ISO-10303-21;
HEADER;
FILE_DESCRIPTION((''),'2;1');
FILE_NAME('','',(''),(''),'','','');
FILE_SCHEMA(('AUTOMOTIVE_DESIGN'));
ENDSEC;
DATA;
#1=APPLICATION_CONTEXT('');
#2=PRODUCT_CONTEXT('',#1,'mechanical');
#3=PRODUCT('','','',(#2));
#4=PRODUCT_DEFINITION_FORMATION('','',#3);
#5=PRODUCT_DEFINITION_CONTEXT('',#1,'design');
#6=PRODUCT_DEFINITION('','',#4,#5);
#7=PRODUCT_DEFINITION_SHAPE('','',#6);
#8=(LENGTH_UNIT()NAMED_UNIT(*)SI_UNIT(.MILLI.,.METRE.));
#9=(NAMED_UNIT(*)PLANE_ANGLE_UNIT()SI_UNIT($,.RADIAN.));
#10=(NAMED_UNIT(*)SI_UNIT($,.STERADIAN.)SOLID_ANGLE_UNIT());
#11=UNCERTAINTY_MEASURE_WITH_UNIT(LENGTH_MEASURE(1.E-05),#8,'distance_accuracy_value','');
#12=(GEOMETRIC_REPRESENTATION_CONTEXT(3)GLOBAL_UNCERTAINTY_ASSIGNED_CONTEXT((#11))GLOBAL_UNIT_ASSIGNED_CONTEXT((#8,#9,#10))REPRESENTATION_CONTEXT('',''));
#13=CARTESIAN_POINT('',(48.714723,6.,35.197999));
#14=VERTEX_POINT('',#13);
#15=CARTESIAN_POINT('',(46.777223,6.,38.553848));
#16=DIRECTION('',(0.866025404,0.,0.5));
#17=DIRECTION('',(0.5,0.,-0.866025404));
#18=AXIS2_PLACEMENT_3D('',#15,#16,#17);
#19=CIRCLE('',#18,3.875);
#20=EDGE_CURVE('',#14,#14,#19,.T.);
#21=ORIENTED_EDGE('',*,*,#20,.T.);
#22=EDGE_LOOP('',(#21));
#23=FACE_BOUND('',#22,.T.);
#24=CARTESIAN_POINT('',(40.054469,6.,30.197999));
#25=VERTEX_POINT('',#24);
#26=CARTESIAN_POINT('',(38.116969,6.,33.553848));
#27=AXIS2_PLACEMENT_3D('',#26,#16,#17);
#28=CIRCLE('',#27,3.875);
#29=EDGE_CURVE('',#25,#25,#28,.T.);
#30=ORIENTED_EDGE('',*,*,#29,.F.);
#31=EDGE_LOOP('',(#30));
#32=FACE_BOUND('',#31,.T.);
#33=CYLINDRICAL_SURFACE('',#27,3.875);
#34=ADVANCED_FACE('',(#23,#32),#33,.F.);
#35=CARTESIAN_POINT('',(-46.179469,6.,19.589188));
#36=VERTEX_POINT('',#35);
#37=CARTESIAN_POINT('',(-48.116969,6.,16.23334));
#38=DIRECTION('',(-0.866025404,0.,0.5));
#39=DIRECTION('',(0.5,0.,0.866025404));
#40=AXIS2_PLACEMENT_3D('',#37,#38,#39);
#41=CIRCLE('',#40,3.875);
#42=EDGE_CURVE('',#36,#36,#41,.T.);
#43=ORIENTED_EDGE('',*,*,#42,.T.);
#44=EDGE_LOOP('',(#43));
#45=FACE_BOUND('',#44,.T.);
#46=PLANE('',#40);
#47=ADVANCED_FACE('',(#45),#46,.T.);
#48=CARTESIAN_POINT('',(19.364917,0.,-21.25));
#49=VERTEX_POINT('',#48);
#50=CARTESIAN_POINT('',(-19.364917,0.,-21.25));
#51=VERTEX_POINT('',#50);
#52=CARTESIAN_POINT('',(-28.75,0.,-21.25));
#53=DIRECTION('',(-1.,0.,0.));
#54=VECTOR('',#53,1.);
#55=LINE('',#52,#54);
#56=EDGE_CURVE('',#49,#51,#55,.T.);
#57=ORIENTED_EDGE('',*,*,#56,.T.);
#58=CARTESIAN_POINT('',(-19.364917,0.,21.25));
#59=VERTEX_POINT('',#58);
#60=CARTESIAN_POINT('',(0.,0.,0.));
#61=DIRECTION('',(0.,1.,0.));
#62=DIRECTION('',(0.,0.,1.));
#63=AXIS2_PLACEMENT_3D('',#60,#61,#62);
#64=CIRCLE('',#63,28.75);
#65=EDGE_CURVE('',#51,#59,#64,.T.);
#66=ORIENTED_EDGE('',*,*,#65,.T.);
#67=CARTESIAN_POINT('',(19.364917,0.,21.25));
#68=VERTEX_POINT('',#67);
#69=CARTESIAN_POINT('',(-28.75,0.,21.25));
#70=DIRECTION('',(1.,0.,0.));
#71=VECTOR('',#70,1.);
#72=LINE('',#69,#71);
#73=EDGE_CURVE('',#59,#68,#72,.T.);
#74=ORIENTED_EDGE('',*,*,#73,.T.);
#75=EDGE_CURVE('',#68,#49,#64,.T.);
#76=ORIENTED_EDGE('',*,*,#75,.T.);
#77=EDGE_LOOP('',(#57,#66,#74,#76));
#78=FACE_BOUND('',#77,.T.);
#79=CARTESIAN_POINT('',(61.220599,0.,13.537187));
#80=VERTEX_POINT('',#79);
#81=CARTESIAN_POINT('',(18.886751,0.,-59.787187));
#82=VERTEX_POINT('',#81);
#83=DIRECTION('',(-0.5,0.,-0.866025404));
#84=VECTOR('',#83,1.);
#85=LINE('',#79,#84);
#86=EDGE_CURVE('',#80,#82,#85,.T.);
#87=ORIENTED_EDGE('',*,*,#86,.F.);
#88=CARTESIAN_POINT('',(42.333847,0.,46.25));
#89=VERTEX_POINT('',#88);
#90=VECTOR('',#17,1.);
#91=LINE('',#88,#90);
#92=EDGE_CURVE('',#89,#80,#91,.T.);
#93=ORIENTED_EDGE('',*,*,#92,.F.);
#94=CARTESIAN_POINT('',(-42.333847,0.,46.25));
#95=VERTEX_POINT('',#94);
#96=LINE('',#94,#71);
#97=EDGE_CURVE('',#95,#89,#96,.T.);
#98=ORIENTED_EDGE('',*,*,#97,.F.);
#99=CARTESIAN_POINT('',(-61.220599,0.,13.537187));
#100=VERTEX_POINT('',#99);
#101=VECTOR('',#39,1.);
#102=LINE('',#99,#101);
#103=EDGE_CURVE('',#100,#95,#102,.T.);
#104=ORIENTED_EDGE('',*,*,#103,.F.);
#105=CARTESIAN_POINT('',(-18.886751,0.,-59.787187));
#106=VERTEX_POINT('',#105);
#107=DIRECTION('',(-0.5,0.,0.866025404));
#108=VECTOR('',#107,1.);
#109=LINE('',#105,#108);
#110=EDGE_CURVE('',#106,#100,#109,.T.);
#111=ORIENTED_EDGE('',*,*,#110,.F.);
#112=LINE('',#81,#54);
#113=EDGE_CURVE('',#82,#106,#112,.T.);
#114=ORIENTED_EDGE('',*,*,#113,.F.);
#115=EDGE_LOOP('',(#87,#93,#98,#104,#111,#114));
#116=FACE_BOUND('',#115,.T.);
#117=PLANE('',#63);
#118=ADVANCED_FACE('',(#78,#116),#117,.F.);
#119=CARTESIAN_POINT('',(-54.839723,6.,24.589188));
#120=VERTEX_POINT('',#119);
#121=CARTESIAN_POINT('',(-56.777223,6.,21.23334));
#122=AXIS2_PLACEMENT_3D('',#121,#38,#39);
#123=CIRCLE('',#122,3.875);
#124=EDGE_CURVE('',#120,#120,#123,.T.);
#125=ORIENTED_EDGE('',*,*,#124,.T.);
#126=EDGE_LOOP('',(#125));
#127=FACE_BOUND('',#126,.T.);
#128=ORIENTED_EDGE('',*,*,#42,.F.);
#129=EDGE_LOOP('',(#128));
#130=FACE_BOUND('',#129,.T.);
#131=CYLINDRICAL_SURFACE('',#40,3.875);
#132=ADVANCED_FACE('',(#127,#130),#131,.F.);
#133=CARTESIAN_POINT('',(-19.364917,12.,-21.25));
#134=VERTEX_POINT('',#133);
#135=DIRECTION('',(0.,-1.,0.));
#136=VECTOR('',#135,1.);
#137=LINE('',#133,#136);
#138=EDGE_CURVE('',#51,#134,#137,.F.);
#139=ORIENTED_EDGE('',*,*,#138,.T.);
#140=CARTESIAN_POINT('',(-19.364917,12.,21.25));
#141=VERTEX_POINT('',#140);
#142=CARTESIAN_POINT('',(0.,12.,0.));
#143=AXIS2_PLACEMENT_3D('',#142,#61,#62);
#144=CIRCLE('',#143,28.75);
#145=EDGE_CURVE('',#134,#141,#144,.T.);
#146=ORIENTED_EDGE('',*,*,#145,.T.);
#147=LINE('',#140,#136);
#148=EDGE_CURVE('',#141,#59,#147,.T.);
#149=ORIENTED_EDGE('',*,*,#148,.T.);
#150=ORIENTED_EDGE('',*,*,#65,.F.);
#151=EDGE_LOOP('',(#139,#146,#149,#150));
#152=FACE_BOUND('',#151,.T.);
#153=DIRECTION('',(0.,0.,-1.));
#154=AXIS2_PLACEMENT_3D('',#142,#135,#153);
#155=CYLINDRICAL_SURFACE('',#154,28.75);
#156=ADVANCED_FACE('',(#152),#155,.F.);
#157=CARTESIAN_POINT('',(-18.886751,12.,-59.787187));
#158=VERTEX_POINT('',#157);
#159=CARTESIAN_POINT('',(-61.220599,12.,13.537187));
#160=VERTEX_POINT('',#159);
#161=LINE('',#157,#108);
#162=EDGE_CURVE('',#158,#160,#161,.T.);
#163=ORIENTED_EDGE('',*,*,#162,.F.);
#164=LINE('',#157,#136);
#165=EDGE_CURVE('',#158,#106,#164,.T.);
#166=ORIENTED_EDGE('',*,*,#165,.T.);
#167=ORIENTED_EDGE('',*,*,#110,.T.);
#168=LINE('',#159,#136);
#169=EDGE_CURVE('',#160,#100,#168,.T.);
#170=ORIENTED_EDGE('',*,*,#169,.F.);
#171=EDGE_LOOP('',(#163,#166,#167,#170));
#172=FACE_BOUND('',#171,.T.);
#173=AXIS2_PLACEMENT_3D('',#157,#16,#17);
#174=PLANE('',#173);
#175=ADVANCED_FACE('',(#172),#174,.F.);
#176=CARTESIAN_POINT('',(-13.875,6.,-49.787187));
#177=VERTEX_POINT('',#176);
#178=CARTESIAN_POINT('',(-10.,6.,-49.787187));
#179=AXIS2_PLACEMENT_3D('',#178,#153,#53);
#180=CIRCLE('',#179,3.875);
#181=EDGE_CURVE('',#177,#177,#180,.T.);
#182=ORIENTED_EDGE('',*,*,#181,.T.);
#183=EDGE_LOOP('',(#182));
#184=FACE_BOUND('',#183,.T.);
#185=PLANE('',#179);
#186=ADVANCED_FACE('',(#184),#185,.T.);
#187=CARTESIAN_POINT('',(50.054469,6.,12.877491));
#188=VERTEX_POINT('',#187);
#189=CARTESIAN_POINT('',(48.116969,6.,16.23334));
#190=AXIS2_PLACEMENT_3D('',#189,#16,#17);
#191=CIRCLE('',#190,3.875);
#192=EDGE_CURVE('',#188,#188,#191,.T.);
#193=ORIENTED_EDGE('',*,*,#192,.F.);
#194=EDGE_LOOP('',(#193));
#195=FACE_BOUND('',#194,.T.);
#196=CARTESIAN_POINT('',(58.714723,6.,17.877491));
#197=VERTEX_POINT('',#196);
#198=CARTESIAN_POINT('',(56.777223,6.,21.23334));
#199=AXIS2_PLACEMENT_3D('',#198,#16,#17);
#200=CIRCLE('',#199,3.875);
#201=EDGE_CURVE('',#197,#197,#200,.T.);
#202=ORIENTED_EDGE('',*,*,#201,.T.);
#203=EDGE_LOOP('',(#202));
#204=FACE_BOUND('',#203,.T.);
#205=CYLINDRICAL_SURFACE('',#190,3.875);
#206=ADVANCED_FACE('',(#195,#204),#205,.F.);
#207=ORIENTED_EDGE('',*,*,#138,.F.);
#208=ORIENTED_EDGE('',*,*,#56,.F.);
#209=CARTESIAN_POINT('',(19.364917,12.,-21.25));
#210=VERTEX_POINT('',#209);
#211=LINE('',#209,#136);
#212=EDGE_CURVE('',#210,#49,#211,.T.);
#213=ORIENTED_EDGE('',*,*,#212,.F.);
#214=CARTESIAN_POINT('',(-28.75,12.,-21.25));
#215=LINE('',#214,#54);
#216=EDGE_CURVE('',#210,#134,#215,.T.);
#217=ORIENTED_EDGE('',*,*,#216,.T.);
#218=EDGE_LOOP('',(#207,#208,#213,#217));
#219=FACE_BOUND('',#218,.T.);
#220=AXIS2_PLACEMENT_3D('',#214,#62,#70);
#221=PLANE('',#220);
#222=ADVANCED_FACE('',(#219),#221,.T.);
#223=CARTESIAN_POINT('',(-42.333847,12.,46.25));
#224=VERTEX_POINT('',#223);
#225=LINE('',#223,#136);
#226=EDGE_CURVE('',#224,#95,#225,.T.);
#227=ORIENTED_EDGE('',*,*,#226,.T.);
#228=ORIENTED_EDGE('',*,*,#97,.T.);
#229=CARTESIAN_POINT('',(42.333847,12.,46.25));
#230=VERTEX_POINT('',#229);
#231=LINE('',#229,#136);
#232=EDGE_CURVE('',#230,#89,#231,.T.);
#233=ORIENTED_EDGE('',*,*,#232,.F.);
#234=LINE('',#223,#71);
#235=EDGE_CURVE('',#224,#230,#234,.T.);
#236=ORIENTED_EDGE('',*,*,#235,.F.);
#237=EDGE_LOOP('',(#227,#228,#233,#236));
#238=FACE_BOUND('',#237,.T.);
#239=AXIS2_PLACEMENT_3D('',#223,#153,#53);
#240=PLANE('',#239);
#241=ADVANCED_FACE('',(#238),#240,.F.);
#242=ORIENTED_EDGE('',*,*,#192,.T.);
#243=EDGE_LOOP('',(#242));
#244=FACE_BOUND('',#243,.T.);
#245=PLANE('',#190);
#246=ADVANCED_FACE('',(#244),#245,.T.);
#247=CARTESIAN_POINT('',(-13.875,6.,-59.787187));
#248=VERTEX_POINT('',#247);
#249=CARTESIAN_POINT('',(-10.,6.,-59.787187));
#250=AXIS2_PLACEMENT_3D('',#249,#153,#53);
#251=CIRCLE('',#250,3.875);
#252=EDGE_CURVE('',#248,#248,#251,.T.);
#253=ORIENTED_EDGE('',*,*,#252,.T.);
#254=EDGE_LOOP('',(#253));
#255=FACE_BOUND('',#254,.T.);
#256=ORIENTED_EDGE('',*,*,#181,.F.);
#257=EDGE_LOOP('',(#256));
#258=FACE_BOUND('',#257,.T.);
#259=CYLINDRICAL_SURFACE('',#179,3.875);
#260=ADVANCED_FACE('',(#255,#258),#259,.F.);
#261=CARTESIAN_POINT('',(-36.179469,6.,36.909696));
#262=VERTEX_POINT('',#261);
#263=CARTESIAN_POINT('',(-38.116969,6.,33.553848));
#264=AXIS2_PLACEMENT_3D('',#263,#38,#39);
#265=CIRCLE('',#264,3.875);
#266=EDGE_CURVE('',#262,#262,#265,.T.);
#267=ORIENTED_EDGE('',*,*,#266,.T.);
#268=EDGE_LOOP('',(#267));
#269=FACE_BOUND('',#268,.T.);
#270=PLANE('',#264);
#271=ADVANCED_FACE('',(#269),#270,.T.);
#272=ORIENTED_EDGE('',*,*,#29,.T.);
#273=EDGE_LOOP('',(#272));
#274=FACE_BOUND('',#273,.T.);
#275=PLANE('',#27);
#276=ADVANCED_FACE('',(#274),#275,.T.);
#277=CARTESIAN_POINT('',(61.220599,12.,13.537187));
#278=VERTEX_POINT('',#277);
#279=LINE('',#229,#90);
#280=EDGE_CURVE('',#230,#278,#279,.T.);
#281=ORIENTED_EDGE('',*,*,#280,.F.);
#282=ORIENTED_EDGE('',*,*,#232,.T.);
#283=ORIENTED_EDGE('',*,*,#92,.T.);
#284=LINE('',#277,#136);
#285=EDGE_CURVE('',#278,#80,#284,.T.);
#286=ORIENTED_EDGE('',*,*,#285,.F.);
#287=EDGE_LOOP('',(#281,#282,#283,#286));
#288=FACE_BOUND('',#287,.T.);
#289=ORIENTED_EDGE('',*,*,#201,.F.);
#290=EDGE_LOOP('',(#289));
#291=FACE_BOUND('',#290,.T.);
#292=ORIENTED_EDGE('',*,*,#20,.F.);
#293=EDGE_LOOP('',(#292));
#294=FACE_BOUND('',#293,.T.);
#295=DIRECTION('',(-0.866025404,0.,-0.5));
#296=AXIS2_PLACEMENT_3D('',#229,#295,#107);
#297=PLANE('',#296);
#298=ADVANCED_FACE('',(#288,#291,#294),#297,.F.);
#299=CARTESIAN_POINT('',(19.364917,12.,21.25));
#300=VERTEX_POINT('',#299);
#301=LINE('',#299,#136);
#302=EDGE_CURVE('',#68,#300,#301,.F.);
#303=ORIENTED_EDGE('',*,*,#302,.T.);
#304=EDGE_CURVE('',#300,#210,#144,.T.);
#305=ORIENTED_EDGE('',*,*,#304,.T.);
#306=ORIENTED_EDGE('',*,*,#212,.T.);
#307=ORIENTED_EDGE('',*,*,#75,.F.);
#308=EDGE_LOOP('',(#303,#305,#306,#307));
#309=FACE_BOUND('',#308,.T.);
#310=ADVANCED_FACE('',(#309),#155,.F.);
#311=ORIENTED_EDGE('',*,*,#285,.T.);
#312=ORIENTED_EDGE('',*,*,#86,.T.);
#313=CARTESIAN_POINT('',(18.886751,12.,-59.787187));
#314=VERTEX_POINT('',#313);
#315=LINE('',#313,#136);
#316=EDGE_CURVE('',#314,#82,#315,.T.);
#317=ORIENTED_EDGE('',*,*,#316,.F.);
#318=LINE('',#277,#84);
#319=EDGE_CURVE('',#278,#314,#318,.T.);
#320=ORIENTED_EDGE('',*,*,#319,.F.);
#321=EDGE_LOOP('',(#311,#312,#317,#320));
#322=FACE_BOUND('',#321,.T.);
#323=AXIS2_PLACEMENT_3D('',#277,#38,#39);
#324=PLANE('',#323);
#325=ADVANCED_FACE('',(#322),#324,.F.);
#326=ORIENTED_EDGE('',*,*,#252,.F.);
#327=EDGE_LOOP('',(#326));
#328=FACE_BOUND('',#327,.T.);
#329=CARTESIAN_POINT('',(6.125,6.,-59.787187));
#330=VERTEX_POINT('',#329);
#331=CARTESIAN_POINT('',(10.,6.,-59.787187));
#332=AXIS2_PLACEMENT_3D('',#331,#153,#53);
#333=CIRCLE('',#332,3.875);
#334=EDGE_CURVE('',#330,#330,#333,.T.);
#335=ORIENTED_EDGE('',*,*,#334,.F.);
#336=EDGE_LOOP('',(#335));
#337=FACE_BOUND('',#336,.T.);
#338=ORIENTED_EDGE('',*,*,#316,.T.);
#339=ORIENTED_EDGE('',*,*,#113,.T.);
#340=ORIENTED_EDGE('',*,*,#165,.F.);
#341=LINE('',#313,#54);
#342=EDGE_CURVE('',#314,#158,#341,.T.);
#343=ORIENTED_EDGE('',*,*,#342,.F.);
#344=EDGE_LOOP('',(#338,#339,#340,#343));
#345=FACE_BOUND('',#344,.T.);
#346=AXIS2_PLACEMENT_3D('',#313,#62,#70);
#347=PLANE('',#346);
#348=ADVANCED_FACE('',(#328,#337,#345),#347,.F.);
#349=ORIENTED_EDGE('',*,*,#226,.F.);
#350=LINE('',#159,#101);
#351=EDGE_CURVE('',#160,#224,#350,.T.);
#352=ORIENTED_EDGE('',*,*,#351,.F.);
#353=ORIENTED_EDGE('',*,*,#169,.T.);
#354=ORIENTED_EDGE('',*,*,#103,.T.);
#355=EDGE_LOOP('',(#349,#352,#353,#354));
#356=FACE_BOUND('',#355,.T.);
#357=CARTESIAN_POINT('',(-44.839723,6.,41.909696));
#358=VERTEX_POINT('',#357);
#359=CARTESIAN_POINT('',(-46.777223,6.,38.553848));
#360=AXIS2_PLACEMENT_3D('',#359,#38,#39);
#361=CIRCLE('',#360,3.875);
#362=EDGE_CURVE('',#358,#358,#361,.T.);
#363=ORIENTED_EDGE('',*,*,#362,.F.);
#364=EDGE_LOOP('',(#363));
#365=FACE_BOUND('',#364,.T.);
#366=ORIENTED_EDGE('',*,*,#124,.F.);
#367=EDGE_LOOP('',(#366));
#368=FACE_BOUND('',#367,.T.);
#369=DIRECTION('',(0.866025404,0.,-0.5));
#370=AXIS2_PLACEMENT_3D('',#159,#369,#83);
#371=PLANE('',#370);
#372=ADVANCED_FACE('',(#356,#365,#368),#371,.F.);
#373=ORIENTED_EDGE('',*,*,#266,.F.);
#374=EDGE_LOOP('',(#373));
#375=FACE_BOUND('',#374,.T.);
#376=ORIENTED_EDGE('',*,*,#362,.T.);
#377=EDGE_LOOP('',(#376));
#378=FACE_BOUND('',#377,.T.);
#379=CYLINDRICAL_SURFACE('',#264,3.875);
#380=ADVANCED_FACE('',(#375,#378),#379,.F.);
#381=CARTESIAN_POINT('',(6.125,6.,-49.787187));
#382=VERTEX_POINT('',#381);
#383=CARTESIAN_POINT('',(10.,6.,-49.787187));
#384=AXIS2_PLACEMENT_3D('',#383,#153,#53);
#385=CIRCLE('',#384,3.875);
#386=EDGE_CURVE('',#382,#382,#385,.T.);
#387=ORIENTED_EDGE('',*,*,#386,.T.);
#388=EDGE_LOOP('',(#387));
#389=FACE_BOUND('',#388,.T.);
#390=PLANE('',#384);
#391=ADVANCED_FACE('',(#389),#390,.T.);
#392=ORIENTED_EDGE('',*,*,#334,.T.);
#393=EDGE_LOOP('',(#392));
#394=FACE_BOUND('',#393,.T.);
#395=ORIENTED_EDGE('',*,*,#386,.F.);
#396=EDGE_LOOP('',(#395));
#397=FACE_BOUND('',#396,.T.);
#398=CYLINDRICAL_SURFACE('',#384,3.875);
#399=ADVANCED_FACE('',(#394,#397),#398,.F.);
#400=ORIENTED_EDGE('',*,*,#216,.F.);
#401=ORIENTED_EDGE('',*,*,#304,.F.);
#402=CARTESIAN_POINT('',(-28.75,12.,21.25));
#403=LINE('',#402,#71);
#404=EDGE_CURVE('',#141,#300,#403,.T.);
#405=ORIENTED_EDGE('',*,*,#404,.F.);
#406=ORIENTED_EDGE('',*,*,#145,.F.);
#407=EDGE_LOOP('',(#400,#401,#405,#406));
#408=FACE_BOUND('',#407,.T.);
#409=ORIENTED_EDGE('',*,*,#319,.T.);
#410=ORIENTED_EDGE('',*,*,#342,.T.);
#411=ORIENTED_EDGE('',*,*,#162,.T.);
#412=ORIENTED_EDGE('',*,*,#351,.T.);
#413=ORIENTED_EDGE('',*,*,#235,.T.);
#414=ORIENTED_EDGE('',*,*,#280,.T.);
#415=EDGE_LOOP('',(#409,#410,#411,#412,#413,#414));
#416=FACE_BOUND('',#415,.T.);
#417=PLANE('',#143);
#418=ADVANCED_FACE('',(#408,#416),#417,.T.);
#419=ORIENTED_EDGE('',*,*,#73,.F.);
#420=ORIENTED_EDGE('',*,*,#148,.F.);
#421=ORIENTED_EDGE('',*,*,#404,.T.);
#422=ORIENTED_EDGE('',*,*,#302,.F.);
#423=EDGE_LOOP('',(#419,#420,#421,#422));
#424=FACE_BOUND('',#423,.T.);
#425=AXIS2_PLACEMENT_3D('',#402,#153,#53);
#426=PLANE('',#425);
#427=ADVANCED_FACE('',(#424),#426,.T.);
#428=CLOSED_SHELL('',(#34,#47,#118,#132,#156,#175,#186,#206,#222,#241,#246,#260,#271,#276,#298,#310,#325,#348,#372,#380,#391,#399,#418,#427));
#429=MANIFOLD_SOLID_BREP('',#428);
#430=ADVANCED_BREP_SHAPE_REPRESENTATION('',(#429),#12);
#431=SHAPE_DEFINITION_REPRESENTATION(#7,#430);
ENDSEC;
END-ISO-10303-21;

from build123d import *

# Parameters (mm, degrees)
CROQUIS1_W              = 57.5
CROQUIS1_H              = 42.5
SALIENTE_EXTRUIR1_DEPTH = 12
CROQUIS7_R              = 46.25
CROQUIS7_R_2            = 28.75
SALIENTE_EXTRUIR2_DEPTH = 12
CROQUIS8_R              = 3.875
CORTAR_EXTRUIR1_DEPTH   = 10
MATRIZC1_COUNT          = 3


with BuildPart() as part:
    # Croquis1 → Saliente-Extruir1 (new body)
    with BuildSketch(Plane(origin=(0, 0, 0), x_dir=(1, 0, 0), z_dir=(0, 1, 0))):
        Polygon((-18.886751346, 59.787187079), (-61.220598504, -13.537187079), (-42.333847158, -46.25), (42.333847158, -46.25), (61.220598504, -13.537187079), (18.886751346, 59.787187079), align=None)
        Rectangle(CROQUIS1_W, CROQUIS1_H, mode=Mode.SUBTRACT)
    extrude(amount=SALIENTE_EXTRUIR1_DEPTH)

    # Croquis7 → Saliente-Extruir2 (add)
    with BuildSketch(Plane(origin=(0, 0, 0), x_dir=(1, 0, 0), z_dir=(0, 1, 0))):
        Circle(CROQUIS7_R)
        Circle(CROQUIS7_R_2, mode=Mode.SUBTRACT)
    extrude(amount=SALIENTE_EXTRUIR2_DEPTH)

    # Croquis8 → Cortar-Extruir1 (cut)
    with BuildSketch(Plane(origin=(51.777222831, 0, 29.893593539), x_dir=(0.5, 0, -0.866025404), z_dir=(0.866025404, 0, 0.5))):
        with Locations((-10, 6)):
            Circle(CROQUIS8_R)
        with Locations((10, 6)):
            Circle(CROQUIS8_R)
    cortar_extruir1 = extrude(amount=-CORTAR_EXTRUIR1_DEPTH, mode=Mode.SUBTRACT)

    # MatrizC1: Cortar-Extruir1 ×3 about axis
    matrizc1_axis = Axis((0, 0, 0), (0, 1, 0))
    for i in range(1, MATRIZC1_COUNT):
        add(cortar_extruir1.rotate(matrizc1_axis, i * 360 / MATRIZC1_COUNT), mode=Mode.SUBTRACT)


solid = part.part
